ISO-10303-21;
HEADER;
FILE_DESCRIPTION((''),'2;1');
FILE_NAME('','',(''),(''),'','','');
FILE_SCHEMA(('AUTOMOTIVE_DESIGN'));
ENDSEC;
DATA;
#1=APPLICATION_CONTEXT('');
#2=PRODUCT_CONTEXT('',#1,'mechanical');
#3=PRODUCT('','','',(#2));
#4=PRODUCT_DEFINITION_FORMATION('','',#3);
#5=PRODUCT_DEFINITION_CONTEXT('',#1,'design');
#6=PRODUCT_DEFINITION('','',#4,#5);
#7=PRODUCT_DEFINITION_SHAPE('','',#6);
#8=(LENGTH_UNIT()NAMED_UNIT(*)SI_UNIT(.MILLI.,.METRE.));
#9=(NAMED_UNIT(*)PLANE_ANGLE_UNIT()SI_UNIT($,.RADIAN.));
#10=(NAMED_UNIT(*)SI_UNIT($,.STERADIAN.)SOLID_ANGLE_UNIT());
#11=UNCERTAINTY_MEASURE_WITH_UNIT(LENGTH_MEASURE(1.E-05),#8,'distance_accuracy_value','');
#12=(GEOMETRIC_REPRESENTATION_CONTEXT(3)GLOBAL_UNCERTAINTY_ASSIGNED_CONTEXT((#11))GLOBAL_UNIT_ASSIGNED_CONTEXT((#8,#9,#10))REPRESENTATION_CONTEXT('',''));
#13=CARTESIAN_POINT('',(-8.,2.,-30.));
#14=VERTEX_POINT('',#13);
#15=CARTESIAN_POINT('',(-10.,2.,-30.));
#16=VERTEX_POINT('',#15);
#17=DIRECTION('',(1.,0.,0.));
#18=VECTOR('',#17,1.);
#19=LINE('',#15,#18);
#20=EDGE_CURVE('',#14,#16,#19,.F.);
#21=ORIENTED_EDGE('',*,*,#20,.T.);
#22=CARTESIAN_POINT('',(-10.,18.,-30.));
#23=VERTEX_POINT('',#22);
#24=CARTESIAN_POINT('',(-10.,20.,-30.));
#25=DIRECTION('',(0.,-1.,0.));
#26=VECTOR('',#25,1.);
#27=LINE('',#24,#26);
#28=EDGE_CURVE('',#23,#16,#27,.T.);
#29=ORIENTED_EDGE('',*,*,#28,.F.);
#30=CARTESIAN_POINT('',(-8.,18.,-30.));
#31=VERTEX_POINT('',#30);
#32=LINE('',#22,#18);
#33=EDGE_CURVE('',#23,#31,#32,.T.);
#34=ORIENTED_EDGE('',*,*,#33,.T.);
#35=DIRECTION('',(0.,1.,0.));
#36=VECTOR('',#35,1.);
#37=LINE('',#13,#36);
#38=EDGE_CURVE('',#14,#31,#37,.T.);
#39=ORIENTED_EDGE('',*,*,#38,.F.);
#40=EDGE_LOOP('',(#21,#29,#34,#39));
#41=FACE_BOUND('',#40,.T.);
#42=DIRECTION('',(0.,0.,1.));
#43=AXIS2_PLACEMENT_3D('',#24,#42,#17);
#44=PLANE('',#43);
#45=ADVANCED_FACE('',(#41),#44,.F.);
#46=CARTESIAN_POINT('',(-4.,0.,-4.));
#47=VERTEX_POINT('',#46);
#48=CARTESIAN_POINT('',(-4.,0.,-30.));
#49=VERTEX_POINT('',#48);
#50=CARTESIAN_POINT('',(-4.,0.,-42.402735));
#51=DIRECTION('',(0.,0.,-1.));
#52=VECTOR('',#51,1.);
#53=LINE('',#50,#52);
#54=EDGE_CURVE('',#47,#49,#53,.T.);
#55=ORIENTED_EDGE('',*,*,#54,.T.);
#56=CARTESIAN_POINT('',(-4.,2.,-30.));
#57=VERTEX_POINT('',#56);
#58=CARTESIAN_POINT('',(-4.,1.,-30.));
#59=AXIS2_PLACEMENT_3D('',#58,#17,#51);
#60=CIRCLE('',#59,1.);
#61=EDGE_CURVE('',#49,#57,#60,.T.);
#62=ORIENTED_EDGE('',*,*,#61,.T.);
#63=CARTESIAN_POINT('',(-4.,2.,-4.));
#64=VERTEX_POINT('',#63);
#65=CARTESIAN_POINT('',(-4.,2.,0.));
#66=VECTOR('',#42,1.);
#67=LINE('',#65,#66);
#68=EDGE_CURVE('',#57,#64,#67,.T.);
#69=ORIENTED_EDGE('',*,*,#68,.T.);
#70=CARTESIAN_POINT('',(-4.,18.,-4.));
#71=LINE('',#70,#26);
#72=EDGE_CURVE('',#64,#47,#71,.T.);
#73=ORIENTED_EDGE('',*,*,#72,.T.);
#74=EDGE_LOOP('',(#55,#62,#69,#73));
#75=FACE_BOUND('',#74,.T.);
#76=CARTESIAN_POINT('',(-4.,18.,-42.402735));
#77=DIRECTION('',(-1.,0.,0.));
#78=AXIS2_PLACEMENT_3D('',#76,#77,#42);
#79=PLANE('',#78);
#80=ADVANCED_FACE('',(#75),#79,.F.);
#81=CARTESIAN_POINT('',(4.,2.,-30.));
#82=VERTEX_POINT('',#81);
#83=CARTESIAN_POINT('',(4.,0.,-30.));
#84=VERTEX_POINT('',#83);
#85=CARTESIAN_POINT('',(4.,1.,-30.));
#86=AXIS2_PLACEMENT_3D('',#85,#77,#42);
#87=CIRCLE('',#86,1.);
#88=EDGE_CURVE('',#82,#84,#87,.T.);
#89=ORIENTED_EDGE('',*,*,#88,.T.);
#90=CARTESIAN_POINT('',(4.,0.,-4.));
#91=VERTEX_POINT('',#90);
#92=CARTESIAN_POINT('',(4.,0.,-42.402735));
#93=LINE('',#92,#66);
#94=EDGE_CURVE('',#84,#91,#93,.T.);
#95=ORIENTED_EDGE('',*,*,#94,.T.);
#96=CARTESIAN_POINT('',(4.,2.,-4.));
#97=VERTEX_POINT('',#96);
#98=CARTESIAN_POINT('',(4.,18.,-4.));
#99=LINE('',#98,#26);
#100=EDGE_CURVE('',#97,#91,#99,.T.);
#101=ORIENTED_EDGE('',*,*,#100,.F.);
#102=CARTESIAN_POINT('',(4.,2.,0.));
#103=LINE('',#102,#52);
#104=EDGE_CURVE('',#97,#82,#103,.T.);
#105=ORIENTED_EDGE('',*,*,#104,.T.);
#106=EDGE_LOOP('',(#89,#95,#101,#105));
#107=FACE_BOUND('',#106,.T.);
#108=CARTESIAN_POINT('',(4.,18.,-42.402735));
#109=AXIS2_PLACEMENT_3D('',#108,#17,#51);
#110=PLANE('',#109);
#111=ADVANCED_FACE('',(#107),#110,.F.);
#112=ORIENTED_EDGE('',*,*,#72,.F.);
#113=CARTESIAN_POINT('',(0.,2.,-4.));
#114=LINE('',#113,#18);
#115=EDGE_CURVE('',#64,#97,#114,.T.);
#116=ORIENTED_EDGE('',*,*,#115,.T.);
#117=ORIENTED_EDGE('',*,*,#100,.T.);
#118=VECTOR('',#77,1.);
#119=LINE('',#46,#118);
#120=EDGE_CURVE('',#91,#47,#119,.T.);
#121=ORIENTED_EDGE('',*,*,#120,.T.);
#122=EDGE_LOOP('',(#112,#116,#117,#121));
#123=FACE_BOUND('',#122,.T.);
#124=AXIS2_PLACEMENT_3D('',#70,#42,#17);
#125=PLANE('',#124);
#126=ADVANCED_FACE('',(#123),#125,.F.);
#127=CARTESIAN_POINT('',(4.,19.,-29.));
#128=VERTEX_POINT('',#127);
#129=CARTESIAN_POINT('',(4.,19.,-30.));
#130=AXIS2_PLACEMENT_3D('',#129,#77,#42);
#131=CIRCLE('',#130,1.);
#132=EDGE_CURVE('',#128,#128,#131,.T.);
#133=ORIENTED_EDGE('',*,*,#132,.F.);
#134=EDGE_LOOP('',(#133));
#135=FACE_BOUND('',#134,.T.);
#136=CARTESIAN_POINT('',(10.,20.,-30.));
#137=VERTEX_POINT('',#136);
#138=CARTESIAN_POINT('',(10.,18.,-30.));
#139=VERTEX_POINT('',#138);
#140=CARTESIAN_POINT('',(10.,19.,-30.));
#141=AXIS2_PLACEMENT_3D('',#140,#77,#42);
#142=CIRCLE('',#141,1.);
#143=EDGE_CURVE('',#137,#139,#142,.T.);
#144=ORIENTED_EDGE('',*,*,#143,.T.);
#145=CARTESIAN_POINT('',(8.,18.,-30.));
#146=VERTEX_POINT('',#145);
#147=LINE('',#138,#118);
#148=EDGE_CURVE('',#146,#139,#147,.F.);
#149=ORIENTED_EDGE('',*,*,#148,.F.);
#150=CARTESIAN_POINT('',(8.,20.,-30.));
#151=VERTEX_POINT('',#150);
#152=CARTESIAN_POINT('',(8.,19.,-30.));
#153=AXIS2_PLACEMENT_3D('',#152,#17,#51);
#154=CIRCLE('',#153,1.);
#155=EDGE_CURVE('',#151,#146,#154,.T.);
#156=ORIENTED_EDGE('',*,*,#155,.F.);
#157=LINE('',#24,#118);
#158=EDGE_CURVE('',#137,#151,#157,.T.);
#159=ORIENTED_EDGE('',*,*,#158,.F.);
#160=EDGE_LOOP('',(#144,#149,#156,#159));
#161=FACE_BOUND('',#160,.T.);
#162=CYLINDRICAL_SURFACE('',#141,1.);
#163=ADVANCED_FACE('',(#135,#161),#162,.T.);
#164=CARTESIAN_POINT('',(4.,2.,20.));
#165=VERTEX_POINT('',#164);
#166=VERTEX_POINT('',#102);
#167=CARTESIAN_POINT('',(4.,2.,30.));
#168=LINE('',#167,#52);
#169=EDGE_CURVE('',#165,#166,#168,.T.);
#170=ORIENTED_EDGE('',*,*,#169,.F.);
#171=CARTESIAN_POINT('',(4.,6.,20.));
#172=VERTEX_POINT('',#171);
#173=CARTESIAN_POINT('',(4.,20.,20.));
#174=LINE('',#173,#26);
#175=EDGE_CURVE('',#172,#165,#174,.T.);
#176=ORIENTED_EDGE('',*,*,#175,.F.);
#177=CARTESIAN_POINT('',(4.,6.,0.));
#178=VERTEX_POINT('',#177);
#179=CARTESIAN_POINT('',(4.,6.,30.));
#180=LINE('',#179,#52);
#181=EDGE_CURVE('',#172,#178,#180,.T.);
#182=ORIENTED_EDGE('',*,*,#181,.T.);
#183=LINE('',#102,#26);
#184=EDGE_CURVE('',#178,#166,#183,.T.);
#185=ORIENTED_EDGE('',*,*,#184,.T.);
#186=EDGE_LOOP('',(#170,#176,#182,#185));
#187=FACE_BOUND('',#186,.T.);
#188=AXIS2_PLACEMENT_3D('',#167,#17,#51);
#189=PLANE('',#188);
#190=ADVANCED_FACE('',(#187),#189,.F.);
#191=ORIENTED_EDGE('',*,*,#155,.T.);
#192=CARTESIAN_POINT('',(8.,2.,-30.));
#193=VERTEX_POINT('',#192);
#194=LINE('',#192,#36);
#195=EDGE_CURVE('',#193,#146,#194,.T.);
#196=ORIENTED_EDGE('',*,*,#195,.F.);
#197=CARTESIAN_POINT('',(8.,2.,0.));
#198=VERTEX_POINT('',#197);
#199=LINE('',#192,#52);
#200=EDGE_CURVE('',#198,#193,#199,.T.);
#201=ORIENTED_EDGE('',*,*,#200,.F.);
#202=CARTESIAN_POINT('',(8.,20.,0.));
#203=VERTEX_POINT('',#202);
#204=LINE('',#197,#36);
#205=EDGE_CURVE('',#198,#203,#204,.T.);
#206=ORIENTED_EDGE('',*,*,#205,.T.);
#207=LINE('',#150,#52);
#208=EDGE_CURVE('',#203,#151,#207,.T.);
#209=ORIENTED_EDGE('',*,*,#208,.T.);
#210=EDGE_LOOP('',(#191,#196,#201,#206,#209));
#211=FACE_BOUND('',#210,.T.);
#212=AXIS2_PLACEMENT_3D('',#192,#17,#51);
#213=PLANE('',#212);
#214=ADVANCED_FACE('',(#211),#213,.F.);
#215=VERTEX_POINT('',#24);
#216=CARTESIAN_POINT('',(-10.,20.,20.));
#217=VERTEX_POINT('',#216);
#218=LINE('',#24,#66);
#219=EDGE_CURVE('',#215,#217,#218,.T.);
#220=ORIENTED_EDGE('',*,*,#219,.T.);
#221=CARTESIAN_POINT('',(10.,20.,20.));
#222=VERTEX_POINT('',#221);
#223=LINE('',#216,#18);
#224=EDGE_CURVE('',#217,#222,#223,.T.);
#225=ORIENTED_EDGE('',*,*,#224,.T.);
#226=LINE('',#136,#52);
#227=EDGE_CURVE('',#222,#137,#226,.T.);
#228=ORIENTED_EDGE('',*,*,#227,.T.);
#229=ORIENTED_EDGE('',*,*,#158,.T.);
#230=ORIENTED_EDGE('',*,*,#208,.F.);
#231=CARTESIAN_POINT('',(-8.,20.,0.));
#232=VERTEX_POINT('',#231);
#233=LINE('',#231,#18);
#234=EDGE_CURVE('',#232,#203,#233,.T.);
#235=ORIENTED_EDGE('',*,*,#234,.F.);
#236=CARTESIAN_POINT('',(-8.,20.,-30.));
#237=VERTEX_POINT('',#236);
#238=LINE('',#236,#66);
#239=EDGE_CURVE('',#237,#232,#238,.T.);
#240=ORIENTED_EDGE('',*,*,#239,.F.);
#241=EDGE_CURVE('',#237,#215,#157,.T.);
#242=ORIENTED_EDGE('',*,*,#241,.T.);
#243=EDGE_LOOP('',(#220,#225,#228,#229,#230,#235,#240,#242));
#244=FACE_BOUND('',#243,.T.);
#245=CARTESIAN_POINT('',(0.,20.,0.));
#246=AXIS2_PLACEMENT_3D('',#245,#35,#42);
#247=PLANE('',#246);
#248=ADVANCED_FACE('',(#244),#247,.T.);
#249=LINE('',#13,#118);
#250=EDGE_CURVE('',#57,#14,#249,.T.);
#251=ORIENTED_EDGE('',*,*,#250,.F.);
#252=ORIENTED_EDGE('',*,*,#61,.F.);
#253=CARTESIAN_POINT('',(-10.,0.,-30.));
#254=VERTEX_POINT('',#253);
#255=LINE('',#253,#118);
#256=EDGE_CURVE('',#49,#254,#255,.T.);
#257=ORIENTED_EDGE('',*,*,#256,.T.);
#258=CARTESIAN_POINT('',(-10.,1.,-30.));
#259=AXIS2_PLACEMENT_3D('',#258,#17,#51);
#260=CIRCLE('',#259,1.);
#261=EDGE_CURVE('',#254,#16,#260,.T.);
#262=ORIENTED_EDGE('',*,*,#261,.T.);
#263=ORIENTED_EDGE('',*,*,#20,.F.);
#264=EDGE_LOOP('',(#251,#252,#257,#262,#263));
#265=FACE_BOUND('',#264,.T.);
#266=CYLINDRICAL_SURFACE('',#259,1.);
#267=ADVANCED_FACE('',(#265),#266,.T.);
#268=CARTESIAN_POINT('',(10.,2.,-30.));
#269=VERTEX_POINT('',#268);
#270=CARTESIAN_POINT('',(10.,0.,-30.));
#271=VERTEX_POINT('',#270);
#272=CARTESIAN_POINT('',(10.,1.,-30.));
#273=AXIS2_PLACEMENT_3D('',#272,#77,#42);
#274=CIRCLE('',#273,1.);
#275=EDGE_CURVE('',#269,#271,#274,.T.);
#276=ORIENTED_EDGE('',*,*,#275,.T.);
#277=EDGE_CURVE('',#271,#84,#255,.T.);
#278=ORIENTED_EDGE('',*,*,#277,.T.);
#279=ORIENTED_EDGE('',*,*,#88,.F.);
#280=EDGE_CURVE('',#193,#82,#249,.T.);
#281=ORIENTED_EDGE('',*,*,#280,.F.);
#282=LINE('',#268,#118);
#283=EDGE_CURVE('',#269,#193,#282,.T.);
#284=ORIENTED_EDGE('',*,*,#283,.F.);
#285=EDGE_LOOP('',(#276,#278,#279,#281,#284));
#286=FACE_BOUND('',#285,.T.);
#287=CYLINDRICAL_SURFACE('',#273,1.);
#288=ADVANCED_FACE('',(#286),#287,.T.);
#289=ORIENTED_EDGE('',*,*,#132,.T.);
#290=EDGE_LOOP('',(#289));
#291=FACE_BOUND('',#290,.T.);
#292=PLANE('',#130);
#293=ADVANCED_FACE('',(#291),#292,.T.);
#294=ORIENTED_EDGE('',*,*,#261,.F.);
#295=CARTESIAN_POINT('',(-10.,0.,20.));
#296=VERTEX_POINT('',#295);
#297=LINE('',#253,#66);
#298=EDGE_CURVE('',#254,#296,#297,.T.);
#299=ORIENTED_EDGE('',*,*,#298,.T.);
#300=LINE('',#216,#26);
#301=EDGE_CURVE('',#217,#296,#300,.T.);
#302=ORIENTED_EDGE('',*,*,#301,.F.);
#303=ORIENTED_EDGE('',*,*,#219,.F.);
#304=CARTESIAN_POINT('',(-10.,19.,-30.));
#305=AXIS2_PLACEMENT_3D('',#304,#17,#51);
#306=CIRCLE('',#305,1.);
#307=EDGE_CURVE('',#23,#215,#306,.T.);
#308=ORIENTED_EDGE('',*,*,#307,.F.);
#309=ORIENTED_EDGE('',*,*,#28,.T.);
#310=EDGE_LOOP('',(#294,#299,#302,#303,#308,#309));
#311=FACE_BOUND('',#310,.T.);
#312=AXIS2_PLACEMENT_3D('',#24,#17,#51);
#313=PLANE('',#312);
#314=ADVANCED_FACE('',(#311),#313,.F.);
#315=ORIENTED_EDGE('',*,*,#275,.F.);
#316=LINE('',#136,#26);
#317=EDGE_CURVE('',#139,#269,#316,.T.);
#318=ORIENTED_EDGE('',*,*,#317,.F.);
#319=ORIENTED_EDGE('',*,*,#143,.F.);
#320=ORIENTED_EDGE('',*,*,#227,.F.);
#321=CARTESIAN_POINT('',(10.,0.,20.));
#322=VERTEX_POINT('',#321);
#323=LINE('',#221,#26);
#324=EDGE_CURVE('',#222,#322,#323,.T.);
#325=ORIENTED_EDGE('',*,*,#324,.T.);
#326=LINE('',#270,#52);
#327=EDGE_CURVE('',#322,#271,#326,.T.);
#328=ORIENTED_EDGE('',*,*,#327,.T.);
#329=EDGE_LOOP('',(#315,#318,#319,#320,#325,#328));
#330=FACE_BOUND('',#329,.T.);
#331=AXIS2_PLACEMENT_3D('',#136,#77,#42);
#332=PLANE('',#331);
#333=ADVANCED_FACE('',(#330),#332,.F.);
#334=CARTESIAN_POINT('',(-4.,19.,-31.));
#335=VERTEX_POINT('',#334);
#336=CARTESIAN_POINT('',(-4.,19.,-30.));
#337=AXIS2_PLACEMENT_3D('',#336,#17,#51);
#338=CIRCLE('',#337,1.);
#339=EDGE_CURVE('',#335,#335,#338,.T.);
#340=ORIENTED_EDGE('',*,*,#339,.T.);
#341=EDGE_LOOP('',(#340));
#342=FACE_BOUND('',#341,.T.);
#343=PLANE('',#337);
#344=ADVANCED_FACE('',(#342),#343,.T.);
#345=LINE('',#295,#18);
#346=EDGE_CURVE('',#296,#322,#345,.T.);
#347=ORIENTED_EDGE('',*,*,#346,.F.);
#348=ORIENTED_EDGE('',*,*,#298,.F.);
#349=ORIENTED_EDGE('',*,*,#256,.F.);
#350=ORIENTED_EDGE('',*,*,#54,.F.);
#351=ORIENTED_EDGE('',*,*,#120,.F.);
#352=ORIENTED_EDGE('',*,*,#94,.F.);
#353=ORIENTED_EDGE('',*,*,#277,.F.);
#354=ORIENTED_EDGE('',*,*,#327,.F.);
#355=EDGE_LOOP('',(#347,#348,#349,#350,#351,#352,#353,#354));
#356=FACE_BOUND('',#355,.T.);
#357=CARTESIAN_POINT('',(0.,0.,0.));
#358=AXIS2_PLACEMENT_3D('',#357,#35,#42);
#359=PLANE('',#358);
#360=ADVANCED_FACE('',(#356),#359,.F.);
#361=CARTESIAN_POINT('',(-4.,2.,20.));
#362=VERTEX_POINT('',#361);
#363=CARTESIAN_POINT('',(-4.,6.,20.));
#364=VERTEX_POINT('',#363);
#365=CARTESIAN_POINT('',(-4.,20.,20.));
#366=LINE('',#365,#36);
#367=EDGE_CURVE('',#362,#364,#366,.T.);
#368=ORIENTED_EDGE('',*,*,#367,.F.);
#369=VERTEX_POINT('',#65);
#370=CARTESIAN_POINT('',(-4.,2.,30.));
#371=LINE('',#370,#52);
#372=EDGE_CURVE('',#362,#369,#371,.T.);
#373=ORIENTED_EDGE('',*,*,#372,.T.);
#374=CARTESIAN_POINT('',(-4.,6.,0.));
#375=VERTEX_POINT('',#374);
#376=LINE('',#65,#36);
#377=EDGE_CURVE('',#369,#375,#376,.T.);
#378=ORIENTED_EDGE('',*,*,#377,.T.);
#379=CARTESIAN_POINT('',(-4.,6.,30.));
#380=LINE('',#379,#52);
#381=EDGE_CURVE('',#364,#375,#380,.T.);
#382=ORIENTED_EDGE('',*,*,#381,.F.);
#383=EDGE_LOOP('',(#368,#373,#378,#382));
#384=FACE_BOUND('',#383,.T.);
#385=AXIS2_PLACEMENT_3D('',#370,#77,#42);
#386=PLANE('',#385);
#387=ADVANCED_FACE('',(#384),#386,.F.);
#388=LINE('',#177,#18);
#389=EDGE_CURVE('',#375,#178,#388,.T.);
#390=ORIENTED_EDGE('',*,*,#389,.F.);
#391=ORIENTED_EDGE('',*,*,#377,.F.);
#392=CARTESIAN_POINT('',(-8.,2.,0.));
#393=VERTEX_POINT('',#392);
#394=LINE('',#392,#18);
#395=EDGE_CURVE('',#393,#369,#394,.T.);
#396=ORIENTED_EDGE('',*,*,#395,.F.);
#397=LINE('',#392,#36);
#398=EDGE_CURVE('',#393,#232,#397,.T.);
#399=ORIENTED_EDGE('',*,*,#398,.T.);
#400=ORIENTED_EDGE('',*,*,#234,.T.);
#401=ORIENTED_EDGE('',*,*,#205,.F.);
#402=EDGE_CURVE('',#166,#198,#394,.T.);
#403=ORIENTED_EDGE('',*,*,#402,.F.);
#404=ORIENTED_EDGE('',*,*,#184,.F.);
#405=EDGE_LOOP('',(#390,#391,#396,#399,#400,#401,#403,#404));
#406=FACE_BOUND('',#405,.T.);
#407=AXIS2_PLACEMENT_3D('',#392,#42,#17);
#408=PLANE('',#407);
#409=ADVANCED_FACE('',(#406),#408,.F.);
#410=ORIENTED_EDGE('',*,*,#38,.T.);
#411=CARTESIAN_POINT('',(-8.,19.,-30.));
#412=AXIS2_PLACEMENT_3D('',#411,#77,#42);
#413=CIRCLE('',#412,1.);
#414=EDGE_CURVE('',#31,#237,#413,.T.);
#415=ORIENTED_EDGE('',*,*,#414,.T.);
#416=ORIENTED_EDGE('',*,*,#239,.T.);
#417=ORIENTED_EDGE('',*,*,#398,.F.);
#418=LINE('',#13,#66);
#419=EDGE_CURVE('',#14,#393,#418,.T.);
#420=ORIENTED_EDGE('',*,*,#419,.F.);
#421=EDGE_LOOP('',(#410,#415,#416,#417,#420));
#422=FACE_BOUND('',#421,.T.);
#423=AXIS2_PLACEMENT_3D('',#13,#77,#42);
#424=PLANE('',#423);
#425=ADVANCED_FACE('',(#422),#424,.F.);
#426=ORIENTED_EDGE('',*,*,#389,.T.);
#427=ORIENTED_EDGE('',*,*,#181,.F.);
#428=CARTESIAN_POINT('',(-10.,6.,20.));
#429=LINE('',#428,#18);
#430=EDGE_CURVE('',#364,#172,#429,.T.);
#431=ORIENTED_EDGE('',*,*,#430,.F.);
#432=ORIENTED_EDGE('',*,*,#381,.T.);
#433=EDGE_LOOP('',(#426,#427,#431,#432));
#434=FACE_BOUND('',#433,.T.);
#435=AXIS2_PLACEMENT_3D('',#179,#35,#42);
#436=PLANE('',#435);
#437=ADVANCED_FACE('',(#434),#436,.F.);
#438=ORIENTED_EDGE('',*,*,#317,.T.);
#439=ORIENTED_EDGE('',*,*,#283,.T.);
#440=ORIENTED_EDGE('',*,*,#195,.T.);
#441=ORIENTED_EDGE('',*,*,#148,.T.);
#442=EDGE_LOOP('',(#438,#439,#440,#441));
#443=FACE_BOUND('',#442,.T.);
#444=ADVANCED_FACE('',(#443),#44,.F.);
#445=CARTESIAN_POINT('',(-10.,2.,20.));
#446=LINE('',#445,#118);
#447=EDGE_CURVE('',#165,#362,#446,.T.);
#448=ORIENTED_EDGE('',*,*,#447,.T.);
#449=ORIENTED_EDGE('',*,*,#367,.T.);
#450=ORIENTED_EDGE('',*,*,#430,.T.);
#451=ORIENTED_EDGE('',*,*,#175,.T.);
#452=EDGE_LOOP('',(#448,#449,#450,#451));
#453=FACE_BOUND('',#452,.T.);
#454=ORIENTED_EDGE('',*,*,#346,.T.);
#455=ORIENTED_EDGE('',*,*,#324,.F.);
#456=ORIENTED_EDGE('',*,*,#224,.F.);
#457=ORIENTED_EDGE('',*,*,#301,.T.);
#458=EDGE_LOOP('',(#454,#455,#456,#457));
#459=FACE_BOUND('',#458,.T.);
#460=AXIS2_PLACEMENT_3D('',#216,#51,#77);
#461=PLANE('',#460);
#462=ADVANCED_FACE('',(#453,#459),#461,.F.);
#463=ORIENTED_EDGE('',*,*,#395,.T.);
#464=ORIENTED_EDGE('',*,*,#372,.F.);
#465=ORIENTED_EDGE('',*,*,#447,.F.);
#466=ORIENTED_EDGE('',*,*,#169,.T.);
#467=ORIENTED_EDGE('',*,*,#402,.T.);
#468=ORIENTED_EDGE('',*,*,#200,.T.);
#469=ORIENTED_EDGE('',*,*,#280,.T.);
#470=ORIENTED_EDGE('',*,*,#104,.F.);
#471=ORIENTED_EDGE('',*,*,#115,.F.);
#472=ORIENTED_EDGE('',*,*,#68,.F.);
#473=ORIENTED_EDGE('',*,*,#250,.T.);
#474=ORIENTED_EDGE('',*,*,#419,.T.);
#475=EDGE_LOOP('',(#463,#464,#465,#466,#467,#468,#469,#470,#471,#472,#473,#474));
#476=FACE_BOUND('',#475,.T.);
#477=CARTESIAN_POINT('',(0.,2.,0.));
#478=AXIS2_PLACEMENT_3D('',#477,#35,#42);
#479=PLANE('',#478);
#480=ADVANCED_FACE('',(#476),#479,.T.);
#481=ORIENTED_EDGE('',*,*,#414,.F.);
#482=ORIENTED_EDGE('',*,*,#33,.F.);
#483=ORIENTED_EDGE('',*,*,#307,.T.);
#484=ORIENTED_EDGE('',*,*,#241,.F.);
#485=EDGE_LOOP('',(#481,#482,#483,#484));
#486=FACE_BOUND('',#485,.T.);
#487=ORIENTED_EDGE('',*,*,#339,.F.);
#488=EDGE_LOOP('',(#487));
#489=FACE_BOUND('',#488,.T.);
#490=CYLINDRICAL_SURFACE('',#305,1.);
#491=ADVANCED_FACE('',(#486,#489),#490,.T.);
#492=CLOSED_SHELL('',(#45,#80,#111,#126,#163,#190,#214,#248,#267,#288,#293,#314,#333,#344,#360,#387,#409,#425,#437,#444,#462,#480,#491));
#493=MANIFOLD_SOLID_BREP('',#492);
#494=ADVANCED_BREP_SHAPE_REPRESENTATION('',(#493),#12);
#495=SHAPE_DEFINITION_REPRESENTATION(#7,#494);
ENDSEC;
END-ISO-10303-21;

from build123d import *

# Parameters (mm, degrees)
SKETCH_1_W          = 20
SKETCH_1_H          = 50
EXTRUDE_1_DEPTH     = 20
SKETCH_2_W          = 16
SKETCH_2_H          = 30
CUT_EXTRUDE_1_DEPTH = 18
SKETCH_3_W          = 8
SKETCH_3_H          = 38.402735184
CUT_EXTRUDE_2_DEPTH = 18
SKETCH_4_R          = 1
EXTRUDE_2_DEPTH     = 6
SKETCH_5_R          = 1
EXTRUDE_3_DEPTH     = 6
SKETCH_6_W          = 8
SKETCH_6_H          = 4
CUT_EXTRUDE_3_DEPTH = 30


with BuildPart() as part:
    # 草图1 → 凸台-拉伸1 (new body)
    with BuildSketch(Plane(origin=(0, 0, 0), x_dir=(1, 0, 0), z_dir=(0, 1, 0))):
        with Locations((0, 5)):
            Rectangle(SKETCH_1_W, SKETCH_1_H)
    extrude(amount=EXTRUDE_1_DEPTH)

    # 草图2 → 切除-拉伸1 (cut)
    with BuildSketch(Plane(origin=(0, 20, 0), x_dir=(1, 0, 0), z_dir=(0, 1, 0))):
        with Locations((0, 15)):
            Rectangle(SKETCH_2_W, SKETCH_2_H)
    extrude(amount=-CUT_EXTRUDE_1_DEPTH, mode=Mode.SUBTRACT)

    # 草图3 → 切除-拉伸2 (cut)
    with BuildSketch(Plane.XZ):
        with Locations((0, -23.201367592)):
            Rectangle(SKETCH_3_W, SKETCH_3_H)
    extrude(amount=-CUT_EXTRUDE_2_DEPTH, mode=Mode.SUBTRACT)

    # 草图4 → 凸台-拉伸2 (add)
    with BuildSketch(Plane(origin=(-4, 0, 0), x_dir=(0, 0, -1), z_dir=(1, 0, 0))):
        with Locations((30, 1)):
            Circle(SKETCH_4_R)
        with Locations((30, 19)):
            Circle(SKETCH_4_R)
    extrude(amount=-EXTRUDE_2_DEPTH)

    # 草图5 → 凸台-拉伸3 (add)
    with BuildSketch(Plane.ZY.offset(-4)):
        with Locations((-30, 1)):
            Circle(SKETCH_5_R)
        with Locations((-30, 19)):
            Circle(SKETCH_5_R)
    extrude(amount=-EXTRUDE_3_DEPTH)

    # 草图6 → 切除-拉伸3 (cut)
    with BuildSketch(Plane(origin=(0, 0, 0), x_dir=(-1, 0, 0), z_dir=(0, 0, -1))):
        with Locations((0, 4)):
            Rectangle(SKETCH_6_W, SKETCH_6_H)
    extrude(amount=-CUT_EXTRUDE_3_DEPTH, mode=Mode.SUBTRACT)


solid = part.part
